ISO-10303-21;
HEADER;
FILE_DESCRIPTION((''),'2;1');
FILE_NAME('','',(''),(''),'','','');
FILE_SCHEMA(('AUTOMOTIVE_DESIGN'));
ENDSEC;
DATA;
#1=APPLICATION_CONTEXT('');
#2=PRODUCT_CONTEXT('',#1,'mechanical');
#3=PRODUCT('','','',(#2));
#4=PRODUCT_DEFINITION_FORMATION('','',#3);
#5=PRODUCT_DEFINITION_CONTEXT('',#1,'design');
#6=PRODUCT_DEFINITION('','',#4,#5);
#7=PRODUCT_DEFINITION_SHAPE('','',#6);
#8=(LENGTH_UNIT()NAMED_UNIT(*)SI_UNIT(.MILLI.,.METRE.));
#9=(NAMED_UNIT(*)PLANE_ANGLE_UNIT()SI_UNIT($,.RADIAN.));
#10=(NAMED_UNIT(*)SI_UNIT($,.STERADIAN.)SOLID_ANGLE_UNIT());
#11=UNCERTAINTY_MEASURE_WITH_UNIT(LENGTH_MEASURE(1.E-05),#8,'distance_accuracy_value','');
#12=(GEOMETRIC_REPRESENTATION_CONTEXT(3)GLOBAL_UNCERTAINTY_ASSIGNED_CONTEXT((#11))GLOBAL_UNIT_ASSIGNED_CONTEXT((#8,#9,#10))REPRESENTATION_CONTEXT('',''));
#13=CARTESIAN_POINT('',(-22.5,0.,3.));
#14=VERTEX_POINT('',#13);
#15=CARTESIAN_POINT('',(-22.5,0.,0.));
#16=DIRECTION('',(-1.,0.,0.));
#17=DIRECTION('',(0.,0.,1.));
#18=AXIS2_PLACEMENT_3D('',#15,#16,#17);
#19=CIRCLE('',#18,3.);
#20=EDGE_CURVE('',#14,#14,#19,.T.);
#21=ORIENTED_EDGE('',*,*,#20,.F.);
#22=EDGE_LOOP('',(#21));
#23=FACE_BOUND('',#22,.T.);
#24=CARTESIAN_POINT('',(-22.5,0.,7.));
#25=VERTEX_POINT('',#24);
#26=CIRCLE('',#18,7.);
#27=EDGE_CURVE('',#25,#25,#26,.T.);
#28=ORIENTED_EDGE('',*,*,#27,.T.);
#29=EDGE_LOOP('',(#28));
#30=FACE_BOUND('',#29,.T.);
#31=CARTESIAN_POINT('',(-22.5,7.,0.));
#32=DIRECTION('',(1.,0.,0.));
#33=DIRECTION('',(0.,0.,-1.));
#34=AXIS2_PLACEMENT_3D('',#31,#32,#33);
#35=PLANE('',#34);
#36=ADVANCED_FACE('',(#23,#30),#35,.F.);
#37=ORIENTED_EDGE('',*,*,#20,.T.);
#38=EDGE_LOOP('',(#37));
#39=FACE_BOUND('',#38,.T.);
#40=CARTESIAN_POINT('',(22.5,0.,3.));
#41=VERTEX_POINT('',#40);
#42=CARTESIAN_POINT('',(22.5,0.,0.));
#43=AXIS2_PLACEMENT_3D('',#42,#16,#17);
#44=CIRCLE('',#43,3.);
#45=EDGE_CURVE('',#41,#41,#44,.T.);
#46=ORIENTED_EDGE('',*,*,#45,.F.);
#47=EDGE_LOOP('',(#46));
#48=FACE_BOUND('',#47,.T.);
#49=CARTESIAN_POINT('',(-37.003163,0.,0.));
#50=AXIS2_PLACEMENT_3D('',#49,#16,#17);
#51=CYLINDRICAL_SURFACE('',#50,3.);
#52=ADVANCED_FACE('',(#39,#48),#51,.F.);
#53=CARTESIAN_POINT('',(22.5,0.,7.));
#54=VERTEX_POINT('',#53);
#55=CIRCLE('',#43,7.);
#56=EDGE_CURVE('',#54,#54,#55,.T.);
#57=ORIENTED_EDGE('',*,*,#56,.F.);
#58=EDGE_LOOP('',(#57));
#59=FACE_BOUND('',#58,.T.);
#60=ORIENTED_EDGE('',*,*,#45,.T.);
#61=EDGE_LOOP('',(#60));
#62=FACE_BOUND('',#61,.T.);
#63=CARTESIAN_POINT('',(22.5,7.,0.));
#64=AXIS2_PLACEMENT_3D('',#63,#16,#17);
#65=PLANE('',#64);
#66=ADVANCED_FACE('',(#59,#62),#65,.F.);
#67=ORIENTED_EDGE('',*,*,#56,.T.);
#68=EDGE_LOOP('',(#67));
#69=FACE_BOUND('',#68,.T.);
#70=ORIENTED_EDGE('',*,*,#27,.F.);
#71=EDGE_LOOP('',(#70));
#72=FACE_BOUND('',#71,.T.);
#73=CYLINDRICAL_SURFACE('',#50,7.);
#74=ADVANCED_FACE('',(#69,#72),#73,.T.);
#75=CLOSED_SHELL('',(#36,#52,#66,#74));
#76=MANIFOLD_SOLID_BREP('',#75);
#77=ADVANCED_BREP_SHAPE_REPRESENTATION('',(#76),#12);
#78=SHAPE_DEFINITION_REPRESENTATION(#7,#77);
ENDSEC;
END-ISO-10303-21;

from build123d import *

# Parameters (mm, degrees)
SKETCH1_W = 45
SKETCH1_H = 4


with BuildPart() as part:
    # Sketch1 → Revolve1 (revolve)
    with BuildSketch(Plane.XY):
        with Locations((0, 5)):
            Rectangle(SKETCH1_W, SKETCH1_H)
    revolve(axis=Axis((-37.003163219, 0, 0), (1, 0, 0)))


solid = part.part
